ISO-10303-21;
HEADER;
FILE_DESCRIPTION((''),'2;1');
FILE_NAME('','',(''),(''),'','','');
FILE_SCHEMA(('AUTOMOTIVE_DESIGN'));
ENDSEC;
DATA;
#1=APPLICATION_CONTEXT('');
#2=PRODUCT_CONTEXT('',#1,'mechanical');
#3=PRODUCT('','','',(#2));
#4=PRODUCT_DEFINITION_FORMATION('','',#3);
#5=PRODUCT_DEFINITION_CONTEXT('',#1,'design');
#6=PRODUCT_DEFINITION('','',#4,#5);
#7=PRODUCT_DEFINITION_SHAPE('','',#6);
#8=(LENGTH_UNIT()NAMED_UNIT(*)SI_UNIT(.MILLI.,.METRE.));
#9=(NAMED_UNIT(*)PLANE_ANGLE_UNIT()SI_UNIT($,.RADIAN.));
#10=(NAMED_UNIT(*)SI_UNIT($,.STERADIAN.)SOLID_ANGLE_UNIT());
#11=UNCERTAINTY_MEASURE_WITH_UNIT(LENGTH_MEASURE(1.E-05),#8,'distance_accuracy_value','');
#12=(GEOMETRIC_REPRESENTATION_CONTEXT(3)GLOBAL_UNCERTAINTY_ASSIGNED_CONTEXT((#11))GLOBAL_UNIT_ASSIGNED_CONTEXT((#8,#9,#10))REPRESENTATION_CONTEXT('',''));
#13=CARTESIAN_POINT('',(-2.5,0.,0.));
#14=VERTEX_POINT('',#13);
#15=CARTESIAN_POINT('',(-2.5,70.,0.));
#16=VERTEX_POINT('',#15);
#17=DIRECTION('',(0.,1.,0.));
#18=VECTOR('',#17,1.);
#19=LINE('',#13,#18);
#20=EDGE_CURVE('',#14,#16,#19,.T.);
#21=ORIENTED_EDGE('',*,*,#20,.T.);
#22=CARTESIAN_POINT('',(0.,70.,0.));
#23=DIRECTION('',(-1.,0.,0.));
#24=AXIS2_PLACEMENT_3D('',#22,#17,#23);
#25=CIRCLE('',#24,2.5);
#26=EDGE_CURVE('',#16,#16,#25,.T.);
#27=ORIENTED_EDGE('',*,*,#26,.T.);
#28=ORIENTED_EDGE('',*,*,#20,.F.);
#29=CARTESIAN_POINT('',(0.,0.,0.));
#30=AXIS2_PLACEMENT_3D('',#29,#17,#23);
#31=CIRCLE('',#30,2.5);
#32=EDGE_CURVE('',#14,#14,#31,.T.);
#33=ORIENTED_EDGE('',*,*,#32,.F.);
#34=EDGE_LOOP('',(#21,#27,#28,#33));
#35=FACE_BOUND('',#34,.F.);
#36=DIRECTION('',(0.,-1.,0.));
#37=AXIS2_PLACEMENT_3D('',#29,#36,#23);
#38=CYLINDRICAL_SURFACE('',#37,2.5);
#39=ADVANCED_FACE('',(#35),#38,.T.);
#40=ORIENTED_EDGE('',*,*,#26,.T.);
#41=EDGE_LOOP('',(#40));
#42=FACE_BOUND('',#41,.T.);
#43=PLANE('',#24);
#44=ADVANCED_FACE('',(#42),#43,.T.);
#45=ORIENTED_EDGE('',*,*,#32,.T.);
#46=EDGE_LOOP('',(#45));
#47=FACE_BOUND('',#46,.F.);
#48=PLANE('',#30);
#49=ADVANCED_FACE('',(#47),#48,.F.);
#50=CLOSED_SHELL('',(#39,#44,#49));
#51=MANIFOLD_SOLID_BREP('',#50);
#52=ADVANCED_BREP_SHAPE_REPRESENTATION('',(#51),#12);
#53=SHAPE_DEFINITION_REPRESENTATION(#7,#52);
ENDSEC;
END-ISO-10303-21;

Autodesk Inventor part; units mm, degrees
ref_plane "YZ Plane" through (0, 0, 0) normal (1, 0, 0) x (0, 1, 0)
ref_plane "XZ Plane" through (0, 0, 0) normal (0, 1, 0) x (-1, 0, 0)
ref_plane "XY Plane" through (0, 0, 0) normal (0, 0, 1) x (1, 0, 0)
sketch "Skizze1" plane through (0, 0, 0) normal (0, 1, 0) x (-1, 0, 0)
  circle A0 centre (0, 0) radius 2.5
  dimension "d0" = 5
extrude "Extrusion1" add sketch "Skizze1" along normal blind 70
properties part number "Metall Stab M5" material "Stahl"
